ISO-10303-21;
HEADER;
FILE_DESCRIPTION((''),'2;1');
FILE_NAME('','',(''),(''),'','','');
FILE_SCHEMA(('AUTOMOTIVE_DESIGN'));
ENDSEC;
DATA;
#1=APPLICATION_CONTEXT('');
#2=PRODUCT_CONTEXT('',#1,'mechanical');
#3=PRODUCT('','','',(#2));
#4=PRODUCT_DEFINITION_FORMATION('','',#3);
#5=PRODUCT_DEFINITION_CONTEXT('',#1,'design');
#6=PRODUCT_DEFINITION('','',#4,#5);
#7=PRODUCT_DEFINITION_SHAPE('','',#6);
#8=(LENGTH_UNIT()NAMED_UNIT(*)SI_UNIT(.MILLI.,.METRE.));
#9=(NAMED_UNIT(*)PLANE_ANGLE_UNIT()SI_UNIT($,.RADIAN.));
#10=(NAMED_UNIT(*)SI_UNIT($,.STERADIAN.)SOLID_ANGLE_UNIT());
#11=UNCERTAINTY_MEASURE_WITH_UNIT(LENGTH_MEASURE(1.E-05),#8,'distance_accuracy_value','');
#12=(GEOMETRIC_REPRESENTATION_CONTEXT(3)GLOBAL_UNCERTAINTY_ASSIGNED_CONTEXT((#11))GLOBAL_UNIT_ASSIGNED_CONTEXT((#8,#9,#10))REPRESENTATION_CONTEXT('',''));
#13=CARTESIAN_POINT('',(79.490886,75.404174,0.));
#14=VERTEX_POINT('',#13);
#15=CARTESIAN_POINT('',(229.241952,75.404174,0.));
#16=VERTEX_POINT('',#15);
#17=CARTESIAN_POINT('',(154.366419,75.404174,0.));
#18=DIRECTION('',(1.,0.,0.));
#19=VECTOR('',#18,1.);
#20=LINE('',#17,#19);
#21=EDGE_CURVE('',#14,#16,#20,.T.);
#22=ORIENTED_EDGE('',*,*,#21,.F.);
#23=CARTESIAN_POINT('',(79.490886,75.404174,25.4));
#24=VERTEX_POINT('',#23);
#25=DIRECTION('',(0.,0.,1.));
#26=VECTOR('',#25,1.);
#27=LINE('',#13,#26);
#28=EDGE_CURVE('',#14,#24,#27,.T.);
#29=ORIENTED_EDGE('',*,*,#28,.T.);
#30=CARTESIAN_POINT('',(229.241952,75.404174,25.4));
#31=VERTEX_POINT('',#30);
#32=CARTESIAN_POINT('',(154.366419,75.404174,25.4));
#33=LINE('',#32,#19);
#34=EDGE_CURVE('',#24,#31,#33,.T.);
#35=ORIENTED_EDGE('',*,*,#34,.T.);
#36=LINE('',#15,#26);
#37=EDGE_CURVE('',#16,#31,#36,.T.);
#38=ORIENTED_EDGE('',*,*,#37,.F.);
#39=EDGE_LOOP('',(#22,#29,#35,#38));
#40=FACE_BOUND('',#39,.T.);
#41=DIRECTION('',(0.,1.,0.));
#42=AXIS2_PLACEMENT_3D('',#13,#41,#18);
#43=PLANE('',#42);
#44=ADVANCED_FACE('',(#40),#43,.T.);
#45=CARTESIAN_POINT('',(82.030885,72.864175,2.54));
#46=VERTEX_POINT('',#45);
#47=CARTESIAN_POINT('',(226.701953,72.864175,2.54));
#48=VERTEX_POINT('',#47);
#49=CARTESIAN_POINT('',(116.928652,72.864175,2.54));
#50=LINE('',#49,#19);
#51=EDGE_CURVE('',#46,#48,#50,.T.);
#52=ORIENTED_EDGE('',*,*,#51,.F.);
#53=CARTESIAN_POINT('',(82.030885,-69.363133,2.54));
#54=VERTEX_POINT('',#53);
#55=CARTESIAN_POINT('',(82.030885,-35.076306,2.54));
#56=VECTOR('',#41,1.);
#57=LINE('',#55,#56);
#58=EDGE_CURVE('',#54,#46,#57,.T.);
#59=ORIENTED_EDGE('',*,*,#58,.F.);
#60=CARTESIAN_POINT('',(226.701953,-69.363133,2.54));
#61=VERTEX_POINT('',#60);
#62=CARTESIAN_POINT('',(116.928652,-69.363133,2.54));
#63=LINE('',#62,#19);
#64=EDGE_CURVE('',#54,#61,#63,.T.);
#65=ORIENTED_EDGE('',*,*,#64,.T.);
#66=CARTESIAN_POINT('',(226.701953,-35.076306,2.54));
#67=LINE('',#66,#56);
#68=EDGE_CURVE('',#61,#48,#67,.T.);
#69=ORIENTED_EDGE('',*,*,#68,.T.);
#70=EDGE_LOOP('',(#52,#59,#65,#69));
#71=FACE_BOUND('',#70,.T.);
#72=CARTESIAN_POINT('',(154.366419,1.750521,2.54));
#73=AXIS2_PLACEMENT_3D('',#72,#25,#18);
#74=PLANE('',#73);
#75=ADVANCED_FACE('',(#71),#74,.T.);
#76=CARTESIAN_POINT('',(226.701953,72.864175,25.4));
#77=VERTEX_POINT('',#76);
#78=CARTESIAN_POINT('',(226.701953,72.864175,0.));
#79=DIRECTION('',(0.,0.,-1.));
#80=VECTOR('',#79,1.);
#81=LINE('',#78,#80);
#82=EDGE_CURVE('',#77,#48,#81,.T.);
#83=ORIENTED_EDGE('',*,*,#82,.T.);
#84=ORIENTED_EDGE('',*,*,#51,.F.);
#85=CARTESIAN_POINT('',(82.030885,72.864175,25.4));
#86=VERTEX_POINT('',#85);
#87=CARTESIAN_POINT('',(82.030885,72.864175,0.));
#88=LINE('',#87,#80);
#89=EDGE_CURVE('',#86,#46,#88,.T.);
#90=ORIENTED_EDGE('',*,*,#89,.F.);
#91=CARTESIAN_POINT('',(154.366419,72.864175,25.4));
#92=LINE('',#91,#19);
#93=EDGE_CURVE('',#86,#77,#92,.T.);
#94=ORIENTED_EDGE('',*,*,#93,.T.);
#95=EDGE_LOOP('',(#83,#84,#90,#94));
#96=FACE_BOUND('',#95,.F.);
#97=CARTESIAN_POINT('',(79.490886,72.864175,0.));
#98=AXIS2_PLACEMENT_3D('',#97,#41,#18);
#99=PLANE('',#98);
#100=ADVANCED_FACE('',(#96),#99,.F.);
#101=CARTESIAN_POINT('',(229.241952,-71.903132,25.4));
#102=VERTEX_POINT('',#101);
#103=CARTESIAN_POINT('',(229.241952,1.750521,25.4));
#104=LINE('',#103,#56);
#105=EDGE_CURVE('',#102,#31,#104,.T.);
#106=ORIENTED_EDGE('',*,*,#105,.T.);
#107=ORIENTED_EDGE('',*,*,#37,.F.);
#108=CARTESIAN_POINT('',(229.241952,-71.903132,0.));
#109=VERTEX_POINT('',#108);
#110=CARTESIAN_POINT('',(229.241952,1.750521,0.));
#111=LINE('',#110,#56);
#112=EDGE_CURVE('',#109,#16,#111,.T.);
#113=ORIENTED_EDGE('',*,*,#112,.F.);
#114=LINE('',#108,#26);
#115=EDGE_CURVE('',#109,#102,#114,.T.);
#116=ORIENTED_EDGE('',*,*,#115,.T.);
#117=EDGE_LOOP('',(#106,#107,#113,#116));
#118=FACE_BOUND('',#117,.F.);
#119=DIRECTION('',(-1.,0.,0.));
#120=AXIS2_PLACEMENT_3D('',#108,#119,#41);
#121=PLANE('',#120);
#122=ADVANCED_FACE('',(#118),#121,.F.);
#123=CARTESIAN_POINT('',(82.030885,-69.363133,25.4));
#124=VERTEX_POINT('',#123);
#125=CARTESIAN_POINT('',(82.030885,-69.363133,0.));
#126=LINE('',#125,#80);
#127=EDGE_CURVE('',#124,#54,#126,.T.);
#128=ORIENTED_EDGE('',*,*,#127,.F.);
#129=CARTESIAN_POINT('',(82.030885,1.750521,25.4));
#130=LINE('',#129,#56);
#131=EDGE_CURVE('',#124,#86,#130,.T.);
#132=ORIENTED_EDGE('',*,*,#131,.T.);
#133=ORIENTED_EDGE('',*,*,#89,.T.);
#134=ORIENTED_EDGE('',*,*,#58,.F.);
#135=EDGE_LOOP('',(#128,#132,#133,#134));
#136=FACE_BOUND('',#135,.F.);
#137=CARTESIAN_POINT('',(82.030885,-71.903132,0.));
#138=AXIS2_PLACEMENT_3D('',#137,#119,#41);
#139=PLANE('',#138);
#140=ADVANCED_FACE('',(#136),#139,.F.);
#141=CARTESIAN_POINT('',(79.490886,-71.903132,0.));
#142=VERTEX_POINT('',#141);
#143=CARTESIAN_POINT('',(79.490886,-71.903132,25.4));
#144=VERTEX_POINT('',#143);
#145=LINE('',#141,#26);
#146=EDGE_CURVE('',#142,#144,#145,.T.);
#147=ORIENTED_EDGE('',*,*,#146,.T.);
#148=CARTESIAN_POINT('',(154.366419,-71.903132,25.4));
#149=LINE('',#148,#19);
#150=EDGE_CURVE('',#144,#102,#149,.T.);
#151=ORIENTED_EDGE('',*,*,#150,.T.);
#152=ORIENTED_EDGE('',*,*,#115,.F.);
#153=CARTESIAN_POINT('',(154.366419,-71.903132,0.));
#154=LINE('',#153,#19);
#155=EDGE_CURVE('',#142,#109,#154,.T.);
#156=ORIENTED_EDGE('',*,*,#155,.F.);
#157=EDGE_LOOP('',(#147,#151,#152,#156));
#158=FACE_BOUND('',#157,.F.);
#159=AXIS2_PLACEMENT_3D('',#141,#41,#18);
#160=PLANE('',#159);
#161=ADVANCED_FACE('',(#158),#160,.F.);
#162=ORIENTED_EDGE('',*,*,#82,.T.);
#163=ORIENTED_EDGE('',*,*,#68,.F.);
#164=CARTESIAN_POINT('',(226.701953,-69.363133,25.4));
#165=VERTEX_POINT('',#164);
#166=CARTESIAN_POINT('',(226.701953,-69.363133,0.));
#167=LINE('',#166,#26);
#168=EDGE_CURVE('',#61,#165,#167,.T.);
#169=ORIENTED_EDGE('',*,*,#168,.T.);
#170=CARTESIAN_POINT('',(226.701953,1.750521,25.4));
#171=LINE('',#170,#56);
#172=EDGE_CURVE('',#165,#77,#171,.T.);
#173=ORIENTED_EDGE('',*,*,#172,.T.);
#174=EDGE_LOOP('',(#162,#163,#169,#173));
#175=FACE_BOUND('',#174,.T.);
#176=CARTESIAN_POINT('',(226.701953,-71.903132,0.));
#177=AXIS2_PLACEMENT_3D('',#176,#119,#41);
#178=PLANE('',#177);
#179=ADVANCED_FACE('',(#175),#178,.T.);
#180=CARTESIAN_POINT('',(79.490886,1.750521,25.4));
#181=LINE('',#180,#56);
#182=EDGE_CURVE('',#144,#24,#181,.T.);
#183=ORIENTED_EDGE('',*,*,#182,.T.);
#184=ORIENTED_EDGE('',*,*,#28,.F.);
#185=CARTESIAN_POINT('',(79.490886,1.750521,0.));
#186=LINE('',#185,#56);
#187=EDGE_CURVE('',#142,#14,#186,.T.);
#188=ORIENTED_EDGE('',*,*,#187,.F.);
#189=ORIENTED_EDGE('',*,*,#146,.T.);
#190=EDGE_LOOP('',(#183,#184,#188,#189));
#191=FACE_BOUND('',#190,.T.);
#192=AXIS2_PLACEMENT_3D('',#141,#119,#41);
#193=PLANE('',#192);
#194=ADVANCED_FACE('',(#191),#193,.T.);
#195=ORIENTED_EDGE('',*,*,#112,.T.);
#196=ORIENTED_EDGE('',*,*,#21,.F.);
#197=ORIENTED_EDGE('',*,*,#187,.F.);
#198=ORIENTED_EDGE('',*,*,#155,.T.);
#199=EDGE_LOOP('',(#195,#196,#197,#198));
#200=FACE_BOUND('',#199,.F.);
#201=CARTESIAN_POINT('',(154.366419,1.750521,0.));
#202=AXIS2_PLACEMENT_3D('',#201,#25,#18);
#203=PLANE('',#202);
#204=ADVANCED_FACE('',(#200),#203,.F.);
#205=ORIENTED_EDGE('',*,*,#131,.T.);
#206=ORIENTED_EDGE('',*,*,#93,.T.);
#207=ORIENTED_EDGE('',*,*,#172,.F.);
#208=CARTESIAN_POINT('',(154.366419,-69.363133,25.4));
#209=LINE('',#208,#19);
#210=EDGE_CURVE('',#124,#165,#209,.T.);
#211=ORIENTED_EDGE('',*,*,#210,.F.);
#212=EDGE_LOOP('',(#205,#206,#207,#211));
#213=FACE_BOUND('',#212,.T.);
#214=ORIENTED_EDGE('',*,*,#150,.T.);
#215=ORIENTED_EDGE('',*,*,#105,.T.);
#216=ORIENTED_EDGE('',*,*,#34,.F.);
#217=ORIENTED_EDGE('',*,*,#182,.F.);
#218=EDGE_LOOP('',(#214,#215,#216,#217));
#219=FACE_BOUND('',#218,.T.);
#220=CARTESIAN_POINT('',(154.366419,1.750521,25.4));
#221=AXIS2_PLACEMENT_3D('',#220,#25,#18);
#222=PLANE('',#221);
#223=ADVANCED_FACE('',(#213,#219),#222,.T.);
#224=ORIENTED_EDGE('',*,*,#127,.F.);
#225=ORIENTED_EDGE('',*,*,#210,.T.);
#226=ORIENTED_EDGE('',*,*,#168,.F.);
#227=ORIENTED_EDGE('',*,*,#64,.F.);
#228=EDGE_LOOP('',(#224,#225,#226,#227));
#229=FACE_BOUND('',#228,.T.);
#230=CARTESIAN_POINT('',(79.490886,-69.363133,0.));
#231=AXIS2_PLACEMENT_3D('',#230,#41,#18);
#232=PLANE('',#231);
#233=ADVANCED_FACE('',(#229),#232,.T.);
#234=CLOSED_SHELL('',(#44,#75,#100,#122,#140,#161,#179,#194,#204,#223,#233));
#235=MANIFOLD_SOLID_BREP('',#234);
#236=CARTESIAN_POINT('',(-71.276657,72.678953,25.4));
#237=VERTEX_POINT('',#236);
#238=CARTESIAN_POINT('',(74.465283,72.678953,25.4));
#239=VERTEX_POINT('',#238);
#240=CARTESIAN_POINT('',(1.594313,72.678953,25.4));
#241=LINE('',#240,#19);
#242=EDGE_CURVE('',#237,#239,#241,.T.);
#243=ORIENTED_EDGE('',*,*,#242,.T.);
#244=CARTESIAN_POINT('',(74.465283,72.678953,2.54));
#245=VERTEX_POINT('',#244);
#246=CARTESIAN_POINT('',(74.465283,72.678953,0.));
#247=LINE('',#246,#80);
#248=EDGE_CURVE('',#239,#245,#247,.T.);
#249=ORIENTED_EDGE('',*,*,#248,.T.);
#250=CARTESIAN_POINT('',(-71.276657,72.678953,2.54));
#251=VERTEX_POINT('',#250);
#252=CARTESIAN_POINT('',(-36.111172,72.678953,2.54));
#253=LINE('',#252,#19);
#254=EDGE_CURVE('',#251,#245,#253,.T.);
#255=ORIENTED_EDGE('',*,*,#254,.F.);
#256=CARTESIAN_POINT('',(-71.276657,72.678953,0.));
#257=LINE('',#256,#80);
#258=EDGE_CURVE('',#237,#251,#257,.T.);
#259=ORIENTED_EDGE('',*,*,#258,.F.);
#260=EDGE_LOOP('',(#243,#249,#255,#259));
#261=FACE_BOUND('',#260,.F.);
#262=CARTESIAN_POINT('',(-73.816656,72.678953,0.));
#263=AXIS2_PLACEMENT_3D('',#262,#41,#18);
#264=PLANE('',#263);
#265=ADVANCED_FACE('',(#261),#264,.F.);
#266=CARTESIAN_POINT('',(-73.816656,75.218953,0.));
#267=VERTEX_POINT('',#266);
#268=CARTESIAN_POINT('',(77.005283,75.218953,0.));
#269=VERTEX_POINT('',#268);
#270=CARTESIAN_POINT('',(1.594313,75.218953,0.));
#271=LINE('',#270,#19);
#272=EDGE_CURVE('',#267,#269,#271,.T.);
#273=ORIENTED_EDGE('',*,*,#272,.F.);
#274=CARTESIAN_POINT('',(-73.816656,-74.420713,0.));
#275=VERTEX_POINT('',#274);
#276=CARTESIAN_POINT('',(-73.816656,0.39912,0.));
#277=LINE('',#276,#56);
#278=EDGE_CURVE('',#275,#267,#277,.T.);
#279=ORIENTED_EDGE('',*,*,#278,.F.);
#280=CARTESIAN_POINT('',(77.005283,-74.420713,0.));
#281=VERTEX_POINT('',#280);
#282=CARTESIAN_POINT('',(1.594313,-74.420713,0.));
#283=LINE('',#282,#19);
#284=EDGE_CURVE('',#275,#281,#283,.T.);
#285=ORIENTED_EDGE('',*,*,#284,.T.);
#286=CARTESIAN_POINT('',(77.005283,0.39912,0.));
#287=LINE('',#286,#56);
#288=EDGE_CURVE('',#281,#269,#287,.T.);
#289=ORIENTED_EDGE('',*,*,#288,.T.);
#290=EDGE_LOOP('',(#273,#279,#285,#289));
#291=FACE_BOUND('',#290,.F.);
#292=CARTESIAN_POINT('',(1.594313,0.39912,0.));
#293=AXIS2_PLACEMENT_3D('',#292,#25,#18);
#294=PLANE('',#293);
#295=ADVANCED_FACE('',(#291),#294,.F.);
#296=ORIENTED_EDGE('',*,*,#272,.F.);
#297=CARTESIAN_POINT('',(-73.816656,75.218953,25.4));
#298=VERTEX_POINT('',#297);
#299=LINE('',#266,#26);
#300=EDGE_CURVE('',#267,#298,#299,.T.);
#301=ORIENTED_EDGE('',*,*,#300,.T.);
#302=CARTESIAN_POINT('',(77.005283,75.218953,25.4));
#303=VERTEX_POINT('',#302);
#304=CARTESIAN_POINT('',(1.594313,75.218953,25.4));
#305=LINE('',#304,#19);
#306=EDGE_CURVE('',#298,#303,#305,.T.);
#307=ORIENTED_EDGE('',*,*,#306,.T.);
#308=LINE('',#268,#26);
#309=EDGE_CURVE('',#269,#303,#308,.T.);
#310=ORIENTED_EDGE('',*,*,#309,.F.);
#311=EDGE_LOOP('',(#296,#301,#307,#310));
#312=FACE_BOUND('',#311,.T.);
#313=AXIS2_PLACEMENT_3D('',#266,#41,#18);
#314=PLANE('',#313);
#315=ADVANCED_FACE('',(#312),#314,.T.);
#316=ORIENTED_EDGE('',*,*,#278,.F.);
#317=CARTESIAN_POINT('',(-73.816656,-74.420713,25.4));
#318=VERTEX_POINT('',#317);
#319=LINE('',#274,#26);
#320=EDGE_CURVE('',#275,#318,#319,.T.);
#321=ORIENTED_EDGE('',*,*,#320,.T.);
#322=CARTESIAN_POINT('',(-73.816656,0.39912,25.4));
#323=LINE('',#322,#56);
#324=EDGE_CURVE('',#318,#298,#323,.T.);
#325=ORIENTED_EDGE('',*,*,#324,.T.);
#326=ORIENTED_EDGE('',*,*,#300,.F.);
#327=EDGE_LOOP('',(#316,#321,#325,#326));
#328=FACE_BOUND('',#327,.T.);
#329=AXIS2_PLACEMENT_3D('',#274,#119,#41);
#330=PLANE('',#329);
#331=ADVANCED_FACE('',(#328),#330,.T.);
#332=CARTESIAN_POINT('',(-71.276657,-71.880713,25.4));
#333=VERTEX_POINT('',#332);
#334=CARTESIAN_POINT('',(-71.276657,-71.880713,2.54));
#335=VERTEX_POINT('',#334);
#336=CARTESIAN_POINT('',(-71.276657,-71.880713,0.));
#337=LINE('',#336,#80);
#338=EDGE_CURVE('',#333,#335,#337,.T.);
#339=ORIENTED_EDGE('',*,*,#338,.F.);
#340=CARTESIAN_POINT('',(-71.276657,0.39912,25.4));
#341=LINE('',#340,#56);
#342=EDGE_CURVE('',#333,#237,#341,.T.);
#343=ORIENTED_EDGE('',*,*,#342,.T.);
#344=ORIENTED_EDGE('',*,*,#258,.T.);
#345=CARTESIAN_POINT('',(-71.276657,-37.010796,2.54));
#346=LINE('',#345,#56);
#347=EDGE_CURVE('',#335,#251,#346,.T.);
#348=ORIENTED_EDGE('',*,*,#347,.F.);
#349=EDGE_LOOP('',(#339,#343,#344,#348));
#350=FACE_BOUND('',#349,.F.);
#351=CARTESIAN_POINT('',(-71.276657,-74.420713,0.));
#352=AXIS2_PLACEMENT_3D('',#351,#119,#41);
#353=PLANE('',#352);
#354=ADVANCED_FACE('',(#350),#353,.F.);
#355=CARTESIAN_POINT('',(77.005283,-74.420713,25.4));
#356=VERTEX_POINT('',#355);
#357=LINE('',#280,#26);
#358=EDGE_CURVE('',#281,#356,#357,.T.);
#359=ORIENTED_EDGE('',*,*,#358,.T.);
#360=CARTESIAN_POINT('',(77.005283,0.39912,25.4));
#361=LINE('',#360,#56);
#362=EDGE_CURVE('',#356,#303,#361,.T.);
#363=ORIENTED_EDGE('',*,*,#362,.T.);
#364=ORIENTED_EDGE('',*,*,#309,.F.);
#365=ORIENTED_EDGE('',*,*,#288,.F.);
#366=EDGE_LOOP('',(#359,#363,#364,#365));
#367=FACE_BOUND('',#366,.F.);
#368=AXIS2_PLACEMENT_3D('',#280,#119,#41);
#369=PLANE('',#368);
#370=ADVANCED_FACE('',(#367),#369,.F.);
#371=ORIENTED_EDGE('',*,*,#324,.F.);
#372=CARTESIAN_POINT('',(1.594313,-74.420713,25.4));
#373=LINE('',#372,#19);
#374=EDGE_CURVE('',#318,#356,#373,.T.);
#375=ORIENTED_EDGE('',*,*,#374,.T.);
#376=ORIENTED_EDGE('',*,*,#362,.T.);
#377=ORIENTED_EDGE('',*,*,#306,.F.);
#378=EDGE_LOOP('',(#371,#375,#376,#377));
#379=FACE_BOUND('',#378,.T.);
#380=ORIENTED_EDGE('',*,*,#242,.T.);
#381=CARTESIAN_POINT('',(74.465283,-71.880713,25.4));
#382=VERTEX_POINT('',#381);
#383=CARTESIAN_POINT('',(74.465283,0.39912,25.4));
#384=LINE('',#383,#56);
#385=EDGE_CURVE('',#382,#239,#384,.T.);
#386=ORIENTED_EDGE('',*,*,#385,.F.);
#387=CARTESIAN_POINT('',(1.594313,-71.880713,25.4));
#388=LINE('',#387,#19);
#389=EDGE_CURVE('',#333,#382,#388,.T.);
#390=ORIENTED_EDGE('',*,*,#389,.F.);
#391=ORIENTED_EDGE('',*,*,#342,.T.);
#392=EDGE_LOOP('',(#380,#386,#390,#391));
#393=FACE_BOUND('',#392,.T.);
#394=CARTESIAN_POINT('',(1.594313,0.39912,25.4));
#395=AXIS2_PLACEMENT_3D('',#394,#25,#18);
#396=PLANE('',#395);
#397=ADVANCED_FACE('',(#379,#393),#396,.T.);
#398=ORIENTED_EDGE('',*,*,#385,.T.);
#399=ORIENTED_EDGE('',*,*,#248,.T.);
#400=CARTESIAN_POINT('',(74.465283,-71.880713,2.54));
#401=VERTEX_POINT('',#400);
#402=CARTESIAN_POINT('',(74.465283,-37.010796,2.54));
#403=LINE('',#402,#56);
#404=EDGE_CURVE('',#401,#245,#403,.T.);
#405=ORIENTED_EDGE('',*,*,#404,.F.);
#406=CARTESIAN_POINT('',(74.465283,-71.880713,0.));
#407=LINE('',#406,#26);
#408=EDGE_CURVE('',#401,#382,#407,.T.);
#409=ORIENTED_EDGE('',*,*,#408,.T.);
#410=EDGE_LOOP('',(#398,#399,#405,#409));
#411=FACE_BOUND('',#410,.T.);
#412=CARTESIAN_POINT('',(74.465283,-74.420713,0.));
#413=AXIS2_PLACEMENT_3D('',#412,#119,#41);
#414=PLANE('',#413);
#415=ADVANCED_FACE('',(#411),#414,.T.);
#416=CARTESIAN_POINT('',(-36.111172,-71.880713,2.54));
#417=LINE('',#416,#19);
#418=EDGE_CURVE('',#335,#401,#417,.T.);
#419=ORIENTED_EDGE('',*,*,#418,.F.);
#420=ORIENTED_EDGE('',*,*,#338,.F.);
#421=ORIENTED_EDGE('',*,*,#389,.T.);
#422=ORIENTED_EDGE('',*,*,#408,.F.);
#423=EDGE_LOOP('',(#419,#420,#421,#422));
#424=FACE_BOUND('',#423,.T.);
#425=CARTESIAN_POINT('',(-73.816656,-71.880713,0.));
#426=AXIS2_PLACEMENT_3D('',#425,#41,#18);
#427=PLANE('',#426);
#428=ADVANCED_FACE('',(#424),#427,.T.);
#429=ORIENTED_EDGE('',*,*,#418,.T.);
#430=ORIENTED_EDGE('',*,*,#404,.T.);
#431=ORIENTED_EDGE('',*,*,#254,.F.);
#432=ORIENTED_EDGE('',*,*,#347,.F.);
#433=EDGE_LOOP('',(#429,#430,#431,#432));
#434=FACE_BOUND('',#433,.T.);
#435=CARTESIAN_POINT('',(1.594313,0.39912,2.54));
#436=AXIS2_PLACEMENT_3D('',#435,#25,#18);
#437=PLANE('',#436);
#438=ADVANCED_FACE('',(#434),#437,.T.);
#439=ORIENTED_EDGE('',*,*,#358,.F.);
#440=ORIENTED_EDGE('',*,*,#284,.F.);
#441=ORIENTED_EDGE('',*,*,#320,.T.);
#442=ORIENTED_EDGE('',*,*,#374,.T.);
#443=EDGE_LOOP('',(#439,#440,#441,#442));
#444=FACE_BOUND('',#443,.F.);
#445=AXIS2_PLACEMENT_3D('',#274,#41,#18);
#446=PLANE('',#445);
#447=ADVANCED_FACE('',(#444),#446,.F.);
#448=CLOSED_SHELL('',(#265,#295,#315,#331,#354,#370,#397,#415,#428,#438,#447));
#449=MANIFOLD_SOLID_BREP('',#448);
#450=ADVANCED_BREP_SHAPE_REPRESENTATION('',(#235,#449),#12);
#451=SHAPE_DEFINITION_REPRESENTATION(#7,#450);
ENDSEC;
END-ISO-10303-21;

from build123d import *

# Parameters (mm, degrees)
F0_W     = 150.821939
F0_H     = 149.639666
F1_DEPTH = 25.4
F2_T     = -2.54
F3_W     = 149.751067
F3_H     = 147.307307
F4_DEPTH = 25.4
F5_T     = -2.54


with BuildPart() as f1:
    # F0 (on Top) → F1 (new body)
    with BuildSketch(Plane.XY):
        with Locations((1.594313, 0.39912)):
            Rectangle(F0_W, F0_H)
    extrude(amount=F1_DEPTH)

    # F2
    f2_openings = [f1.faces().sort_by_distance(p)[0] for p in [
        (1.594312, 0.39912, 25.4),
    ]]
    offset(amount=F2_T, openings=f2_openings)


with BuildPart() as f4:
    # F3 (on Top) → F4 (new body)
    with BuildSketch(Plane.XY):
        with Locations((154.366419, 1.750521)):
            Rectangle(F3_W, F3_H)
    extrude(amount=F4_DEPTH)

    # F5
    f5_openings = [f4.faces().sort_by_distance(p)[0] for p in [
        (154.366419, 1.750521, 25.4),
    ]]
    offset(amount=F5_T, openings=f5_openings)


solid = Compound([f1.part, f4.part])
